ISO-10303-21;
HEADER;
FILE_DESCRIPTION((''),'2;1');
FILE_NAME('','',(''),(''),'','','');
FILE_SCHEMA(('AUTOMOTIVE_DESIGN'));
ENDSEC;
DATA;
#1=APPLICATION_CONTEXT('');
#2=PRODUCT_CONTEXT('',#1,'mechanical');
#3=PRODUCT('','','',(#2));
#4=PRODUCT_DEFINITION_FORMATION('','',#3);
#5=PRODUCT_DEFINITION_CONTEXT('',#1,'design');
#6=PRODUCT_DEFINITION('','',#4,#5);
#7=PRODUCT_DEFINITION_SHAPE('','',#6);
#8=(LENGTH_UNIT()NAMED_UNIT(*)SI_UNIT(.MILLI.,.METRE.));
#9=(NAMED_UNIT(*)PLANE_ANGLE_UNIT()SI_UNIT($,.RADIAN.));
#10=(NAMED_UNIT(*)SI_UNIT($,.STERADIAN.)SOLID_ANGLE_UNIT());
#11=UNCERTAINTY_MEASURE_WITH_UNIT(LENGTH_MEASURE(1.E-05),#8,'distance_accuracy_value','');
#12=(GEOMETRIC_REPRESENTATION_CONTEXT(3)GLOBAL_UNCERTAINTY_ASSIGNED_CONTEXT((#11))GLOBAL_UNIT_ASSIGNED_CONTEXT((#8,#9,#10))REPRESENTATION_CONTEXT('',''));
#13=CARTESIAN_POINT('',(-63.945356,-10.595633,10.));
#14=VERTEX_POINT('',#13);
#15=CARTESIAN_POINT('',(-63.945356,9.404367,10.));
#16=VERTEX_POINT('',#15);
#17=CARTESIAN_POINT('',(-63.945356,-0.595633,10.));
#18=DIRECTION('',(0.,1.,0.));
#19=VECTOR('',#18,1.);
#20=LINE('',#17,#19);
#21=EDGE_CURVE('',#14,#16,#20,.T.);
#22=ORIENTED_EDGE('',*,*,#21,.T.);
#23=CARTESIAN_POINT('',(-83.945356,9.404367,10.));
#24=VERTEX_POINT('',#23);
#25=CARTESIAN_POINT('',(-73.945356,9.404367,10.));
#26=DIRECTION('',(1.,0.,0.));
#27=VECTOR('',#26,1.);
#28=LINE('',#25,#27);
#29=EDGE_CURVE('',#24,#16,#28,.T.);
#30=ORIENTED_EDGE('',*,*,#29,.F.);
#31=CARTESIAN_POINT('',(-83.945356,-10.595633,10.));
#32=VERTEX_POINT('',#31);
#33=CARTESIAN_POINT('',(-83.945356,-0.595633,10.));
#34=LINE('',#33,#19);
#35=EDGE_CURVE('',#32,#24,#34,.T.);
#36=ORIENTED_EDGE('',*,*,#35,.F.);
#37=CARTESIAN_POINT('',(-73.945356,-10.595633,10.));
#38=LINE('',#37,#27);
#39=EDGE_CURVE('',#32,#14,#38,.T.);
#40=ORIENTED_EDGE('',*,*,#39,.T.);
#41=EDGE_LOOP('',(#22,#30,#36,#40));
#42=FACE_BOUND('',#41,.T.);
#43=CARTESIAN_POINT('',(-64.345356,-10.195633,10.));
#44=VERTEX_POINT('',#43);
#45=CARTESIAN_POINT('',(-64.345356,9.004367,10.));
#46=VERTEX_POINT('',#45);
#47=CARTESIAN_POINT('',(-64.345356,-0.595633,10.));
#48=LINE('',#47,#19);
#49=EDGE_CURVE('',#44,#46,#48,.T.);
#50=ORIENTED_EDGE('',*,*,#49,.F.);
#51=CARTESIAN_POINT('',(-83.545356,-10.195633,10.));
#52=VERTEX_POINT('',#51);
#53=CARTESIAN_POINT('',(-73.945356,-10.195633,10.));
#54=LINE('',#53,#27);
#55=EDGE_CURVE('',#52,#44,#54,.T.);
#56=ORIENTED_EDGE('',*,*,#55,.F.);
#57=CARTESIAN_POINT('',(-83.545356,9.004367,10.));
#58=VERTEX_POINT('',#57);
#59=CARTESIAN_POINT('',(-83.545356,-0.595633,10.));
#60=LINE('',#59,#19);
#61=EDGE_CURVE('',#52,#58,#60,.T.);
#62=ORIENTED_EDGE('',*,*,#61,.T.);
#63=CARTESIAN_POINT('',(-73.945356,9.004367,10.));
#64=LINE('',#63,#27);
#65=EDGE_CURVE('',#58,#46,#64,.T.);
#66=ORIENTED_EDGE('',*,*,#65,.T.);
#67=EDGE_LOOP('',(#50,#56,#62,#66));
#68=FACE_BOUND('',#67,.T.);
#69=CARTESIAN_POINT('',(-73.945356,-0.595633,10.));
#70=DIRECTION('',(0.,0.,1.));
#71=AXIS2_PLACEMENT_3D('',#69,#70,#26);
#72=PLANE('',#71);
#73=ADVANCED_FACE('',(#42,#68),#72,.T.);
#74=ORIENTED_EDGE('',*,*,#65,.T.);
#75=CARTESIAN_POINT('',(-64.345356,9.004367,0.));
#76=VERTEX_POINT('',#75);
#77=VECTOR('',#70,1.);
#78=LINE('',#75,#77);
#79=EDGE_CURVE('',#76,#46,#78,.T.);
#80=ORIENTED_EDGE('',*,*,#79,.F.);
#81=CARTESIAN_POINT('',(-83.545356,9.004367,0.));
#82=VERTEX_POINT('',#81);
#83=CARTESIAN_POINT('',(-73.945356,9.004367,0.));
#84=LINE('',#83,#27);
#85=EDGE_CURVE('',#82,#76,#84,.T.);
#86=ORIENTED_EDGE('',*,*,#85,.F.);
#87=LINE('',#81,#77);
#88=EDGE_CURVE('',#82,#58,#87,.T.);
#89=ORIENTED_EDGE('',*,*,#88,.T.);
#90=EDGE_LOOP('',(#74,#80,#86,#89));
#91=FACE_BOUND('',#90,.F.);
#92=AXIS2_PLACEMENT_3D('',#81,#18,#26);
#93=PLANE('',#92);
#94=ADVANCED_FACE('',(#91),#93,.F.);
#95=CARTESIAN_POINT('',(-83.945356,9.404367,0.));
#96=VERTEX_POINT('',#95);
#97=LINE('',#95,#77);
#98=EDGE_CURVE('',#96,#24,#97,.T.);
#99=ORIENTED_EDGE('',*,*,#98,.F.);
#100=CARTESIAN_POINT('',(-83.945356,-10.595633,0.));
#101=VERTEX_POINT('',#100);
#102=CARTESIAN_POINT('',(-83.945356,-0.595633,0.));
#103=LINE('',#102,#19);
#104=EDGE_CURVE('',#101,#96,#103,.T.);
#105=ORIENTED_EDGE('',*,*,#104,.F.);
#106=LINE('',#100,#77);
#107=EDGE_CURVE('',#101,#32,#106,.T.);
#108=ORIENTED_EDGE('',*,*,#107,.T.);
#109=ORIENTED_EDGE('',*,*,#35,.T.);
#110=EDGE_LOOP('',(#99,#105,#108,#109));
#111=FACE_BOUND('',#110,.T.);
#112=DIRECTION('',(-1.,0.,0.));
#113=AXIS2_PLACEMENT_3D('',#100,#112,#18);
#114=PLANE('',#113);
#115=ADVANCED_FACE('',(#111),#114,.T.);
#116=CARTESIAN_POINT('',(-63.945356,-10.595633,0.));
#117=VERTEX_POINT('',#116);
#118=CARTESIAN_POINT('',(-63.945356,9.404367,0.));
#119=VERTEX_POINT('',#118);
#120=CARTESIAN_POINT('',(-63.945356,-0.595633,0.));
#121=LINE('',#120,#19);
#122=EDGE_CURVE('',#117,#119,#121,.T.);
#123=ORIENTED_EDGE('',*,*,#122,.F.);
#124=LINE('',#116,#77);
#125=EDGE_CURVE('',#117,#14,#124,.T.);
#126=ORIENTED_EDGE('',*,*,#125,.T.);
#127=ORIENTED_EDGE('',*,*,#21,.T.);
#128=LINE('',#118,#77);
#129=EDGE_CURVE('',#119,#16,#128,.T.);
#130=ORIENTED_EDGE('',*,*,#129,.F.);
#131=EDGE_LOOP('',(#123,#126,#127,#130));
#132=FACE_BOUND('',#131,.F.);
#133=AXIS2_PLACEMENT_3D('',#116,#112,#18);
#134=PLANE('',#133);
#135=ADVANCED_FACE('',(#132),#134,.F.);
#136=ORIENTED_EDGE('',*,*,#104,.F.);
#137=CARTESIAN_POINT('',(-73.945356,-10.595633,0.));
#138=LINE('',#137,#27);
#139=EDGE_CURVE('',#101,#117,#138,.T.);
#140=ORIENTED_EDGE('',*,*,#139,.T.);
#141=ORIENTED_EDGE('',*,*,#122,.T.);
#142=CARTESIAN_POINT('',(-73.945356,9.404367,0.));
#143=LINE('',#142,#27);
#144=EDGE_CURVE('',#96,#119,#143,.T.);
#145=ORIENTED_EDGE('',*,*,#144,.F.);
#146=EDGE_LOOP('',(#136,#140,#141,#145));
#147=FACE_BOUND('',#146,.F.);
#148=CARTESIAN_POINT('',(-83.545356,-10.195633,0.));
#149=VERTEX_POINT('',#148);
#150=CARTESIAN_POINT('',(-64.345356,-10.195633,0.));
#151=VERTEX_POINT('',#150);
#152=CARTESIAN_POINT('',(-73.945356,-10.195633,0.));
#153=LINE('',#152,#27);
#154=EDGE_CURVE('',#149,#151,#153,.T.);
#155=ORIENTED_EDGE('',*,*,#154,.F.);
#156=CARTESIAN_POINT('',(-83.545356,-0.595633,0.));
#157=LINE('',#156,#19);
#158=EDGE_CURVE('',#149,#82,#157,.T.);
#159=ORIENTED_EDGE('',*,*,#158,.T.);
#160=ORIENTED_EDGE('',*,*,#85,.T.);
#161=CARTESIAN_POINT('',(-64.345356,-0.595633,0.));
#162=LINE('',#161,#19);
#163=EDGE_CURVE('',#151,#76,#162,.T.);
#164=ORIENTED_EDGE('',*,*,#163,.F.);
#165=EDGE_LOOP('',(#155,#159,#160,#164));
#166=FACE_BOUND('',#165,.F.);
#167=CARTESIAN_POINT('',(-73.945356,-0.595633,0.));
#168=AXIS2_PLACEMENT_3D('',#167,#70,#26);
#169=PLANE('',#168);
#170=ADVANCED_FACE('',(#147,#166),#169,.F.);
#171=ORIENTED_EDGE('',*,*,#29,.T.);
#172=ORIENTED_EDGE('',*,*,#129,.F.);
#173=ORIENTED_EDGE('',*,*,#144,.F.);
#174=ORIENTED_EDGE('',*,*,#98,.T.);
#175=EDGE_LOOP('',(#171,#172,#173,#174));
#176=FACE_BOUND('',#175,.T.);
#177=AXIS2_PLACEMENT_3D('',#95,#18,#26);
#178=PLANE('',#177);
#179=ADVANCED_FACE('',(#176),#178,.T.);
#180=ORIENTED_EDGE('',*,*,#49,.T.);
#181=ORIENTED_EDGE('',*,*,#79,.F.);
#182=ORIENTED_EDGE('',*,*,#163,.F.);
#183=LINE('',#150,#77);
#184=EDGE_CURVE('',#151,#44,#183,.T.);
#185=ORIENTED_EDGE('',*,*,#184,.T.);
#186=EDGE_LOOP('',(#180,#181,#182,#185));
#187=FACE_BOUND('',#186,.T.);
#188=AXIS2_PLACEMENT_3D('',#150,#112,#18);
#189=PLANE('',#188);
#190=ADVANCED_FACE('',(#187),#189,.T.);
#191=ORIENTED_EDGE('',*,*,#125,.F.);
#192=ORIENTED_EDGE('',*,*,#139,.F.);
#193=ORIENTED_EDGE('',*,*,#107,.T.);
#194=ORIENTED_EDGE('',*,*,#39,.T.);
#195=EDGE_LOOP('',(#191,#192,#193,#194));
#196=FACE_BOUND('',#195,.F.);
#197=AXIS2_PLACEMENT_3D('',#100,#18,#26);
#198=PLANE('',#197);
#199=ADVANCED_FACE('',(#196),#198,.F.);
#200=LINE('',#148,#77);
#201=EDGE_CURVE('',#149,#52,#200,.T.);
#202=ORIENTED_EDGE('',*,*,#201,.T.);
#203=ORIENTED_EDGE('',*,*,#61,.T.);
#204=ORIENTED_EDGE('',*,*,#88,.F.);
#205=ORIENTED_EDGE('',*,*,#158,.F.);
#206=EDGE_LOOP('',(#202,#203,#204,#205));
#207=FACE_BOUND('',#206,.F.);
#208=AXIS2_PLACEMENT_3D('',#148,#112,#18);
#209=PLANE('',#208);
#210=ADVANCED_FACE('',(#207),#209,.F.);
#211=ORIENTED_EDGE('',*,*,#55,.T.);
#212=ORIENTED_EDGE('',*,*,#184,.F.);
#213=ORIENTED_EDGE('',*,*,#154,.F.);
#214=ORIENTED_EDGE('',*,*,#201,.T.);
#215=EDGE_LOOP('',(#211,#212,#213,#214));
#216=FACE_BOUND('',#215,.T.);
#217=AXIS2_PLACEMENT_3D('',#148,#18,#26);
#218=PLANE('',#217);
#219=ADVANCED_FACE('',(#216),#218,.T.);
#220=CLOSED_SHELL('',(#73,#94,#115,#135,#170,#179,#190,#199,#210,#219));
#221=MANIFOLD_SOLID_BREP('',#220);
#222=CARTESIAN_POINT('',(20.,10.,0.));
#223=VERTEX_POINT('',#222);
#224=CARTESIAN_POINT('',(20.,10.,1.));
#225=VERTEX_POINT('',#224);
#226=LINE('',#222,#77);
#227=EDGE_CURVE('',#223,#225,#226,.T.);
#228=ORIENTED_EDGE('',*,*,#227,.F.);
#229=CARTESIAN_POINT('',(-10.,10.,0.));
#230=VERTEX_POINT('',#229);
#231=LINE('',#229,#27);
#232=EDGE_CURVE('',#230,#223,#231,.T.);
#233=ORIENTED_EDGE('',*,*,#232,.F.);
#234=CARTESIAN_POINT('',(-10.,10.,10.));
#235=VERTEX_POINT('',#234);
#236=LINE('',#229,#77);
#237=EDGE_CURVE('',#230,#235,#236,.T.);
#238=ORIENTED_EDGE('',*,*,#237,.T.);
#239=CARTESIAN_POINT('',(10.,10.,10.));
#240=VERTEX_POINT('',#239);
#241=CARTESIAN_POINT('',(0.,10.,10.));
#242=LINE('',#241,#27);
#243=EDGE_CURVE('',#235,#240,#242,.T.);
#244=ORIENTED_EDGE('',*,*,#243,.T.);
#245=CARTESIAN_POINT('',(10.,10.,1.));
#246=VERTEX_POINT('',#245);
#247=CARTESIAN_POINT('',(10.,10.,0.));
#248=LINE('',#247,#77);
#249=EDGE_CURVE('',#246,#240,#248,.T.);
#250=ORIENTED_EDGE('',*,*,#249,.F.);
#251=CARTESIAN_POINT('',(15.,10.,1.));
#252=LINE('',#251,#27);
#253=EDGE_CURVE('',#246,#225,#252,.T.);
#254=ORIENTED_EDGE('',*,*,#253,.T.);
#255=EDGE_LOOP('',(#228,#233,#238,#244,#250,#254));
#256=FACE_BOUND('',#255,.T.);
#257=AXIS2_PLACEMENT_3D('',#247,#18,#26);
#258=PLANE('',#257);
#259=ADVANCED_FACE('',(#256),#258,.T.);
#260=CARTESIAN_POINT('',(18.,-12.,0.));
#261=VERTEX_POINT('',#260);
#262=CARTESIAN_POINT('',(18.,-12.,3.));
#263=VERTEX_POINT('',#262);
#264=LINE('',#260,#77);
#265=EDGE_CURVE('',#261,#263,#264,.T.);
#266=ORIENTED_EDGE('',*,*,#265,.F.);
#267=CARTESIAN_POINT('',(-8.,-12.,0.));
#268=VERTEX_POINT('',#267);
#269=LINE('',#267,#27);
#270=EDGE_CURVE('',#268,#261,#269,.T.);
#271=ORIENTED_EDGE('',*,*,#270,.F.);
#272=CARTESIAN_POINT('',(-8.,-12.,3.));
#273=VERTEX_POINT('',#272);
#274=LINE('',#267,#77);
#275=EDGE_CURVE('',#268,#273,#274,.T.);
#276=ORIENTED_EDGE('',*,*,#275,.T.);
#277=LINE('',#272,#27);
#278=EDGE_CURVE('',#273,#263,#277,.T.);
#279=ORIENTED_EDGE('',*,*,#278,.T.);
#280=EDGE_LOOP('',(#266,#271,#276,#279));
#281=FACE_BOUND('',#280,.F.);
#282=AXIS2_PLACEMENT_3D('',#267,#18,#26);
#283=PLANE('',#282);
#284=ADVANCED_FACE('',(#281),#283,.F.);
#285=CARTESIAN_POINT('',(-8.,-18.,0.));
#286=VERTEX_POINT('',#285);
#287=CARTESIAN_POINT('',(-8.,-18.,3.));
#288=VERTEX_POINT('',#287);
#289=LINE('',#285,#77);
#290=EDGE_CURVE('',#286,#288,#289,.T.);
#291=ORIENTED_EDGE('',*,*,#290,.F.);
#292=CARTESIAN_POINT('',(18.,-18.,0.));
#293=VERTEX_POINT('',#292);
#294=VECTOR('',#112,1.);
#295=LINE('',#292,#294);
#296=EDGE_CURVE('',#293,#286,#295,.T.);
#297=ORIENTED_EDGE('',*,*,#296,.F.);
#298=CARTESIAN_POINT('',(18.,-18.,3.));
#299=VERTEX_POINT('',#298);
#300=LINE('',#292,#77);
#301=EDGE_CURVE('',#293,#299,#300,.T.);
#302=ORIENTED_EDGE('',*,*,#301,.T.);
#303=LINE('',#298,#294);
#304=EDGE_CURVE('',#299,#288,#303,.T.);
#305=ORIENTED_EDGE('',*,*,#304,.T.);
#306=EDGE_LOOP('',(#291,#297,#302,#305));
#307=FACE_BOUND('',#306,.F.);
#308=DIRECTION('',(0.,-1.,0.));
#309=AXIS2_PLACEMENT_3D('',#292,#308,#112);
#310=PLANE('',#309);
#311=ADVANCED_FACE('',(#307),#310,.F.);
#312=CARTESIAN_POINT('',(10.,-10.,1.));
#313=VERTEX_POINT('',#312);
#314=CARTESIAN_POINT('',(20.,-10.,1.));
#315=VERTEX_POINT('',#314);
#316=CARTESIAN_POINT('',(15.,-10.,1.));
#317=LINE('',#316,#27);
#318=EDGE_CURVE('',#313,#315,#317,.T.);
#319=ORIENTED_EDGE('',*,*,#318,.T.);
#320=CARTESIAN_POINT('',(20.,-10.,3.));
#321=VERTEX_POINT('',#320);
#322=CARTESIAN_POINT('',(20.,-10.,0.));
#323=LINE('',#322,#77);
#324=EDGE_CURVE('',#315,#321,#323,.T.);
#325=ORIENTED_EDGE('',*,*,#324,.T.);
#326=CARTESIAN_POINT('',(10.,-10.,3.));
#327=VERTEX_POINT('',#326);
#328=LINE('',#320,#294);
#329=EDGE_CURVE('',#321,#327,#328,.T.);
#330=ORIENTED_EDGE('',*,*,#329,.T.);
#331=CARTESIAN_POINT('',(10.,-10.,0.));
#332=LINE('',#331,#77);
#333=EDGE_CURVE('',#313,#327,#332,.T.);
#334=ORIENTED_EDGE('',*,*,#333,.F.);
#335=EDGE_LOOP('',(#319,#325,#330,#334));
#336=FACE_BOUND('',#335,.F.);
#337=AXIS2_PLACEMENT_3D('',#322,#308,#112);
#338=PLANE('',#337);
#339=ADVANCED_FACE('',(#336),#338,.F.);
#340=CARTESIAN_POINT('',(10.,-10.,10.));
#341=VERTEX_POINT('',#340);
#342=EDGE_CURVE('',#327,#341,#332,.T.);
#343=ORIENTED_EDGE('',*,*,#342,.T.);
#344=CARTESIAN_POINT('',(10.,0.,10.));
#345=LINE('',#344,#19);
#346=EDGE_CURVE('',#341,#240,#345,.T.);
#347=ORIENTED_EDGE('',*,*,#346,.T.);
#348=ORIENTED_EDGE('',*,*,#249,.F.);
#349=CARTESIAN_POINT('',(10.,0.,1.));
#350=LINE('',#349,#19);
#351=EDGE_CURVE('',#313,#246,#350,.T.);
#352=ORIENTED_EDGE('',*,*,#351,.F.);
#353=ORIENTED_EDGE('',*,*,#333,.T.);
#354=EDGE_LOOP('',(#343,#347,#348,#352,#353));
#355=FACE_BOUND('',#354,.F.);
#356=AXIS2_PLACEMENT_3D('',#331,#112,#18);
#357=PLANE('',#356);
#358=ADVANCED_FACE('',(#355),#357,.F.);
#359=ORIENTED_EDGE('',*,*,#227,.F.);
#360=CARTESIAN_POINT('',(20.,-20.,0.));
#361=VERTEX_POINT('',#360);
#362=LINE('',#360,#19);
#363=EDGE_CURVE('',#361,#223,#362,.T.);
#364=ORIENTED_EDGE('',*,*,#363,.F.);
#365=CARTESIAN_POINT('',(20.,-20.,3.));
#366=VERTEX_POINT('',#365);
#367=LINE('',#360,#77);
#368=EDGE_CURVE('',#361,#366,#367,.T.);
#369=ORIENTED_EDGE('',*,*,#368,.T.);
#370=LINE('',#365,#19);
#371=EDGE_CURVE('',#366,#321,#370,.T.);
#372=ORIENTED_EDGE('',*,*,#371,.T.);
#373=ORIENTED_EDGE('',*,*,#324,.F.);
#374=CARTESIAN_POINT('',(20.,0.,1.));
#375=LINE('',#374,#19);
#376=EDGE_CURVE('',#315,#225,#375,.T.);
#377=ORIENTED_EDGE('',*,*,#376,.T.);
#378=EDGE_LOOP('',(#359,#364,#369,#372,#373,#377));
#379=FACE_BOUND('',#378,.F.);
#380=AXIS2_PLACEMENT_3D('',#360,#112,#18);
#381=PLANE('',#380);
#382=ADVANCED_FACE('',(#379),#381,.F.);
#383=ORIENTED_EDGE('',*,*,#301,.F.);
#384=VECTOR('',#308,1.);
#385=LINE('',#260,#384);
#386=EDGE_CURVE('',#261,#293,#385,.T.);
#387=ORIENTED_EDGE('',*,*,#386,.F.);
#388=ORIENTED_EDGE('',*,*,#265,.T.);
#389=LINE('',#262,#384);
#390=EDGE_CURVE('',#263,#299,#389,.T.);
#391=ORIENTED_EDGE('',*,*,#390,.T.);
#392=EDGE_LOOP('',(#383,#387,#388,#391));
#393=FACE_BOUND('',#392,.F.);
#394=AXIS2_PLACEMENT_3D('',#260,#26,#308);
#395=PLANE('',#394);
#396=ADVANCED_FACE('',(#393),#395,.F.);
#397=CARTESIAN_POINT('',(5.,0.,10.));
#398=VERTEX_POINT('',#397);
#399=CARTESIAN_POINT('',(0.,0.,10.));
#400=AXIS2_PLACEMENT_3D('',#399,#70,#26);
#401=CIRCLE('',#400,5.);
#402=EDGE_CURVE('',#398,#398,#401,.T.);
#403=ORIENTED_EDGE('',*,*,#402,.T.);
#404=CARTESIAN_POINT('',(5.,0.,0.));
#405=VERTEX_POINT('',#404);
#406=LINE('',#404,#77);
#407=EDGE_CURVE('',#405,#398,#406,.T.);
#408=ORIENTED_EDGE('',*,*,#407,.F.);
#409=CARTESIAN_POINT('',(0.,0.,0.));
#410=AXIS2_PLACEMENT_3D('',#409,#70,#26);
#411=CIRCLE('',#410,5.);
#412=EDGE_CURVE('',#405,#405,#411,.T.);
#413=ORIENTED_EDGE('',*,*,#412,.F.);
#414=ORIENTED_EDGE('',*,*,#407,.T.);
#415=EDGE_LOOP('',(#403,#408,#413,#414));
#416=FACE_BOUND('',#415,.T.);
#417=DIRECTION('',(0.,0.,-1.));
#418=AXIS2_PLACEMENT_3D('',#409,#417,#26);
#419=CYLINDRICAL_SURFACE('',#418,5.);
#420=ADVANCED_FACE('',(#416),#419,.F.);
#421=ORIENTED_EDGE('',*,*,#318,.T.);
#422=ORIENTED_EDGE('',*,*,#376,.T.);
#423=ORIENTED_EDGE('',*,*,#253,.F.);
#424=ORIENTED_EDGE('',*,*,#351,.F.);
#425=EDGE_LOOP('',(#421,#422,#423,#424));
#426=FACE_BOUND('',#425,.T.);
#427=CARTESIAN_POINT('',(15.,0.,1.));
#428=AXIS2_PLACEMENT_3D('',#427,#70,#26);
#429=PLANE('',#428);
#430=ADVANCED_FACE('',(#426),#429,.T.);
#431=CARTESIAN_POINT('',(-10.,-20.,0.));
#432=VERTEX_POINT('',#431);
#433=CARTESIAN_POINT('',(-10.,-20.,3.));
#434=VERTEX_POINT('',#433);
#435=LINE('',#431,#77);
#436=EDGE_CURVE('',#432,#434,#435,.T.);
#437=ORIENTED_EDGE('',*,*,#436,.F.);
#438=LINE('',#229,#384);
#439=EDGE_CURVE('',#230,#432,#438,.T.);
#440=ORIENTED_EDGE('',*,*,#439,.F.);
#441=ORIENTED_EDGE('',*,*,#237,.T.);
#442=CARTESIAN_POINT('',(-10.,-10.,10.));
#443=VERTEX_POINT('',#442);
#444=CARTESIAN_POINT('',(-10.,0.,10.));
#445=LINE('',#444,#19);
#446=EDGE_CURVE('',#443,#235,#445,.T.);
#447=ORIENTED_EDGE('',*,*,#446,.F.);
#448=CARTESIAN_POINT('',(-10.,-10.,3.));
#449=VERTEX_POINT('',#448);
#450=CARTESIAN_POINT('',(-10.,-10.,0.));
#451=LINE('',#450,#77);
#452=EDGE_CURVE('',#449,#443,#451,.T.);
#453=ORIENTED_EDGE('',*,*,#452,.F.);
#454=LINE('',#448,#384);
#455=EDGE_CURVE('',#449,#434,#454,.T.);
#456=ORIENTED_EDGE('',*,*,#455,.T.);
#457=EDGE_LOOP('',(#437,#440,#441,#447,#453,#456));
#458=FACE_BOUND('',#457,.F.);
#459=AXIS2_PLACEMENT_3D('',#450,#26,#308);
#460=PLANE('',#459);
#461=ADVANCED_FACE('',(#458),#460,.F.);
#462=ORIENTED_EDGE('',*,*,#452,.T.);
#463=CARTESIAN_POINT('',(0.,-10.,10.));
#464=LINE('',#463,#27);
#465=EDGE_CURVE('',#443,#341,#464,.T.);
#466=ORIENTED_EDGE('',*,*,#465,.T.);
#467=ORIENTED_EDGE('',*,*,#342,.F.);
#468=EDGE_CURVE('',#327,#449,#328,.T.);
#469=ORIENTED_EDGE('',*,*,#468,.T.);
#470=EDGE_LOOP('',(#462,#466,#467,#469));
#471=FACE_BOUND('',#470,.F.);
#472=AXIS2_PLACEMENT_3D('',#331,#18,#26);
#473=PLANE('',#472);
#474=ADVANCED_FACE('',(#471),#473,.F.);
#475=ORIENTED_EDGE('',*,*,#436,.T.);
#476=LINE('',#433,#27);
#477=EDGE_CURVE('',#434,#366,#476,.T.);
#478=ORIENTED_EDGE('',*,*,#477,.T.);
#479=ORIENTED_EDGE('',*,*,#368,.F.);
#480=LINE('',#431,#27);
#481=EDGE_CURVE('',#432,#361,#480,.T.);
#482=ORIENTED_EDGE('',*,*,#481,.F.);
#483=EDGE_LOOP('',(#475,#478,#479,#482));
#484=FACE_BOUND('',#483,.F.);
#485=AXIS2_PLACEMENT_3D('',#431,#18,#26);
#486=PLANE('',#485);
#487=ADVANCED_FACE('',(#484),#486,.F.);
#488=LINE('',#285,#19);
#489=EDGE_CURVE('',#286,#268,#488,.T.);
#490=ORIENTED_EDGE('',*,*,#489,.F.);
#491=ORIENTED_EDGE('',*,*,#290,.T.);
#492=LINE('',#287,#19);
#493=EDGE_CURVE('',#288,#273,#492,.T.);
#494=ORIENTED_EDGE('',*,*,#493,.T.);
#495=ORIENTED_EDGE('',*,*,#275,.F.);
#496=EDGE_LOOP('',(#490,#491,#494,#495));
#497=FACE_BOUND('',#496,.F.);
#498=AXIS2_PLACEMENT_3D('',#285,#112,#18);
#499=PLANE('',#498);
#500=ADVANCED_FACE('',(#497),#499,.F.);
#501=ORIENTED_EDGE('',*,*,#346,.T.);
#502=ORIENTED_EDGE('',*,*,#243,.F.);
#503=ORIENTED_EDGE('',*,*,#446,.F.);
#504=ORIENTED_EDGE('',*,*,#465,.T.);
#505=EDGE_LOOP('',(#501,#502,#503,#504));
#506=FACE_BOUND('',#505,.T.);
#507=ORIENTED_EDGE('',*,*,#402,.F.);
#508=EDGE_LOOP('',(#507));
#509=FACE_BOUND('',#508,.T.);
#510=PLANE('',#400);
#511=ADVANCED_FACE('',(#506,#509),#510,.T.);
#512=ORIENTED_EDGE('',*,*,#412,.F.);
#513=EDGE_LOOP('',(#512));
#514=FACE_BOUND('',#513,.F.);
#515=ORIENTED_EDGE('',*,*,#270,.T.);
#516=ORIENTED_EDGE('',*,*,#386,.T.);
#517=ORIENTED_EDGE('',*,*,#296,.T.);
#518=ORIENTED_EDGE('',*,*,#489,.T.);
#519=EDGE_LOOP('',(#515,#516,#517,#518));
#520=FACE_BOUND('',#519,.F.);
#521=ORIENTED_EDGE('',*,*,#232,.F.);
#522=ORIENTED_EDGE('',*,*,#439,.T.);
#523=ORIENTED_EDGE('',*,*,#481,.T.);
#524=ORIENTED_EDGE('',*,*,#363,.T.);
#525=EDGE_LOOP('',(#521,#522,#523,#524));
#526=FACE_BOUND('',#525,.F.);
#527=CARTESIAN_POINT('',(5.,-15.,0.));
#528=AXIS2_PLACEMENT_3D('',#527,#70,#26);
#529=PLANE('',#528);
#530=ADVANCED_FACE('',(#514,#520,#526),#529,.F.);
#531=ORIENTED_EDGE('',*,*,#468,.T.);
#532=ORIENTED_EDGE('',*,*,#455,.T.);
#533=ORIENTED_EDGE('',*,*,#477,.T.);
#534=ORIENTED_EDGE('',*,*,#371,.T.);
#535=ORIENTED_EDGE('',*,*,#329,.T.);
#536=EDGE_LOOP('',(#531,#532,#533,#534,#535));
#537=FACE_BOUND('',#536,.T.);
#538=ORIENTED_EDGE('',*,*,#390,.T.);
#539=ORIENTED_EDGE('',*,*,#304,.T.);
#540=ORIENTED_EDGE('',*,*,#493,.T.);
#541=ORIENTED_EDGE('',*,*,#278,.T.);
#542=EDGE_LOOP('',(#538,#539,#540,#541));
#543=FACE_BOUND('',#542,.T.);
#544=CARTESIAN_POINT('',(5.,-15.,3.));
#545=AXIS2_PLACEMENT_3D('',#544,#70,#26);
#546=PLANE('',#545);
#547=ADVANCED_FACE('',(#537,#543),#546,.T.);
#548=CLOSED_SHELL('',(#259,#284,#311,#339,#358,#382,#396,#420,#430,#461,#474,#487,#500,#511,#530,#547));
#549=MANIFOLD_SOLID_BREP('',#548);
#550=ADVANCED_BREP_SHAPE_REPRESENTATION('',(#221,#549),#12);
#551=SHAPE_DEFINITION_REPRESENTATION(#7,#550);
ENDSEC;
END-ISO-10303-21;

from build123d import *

# Parameters (mm, degrees)
F0_W     = 20
F0_H     = 20
F0_R     = 5
F1_DEPTH = 10
F0_W_2   = 10
F2_DEPTH = 1
F3_DEPTH = 3
F0_W_3   = 19.2
F0_H_2   = 19.2
F4_DEPTH = 10


with BuildPart() as f1:
    # F0 (on Top) → F1 (new body)
    with BuildSketch(Plane.XY):
        Rectangle(F0_W, F0_H)
        Circle(F0_R, mode=Mode.SUBTRACT)
    extrude(amount=F1_DEPTH)

    # F0 (on Top) → F2 (join)
    with BuildSketch(Plane.XY):
        with Locations((15, 0)):
            Rectangle(F0_W_2, F0_H)
    extrude(amount=F2_DEPTH)

    # F0 (on Top) → F3 (join)
    with BuildSketch(Plane.XY):
        Polygon((20, -10), (10, -10), (-10, -10), (-10, -20), (20, -20), align=None)
        Polygon((18, -18), (-8, -18), (-8, -12), (10, -12), (18, -12), align=None, mode=Mode.SUBTRACT)
    extrude(amount=F3_DEPTH)


with BuildPart() as f4:
    # F0 (on Top) → F4 (new body)
    with BuildSketch(Plane.XY):
        with Locations((-73.945356, -0.595633)):
            Rectangle(F0_W, F0_H)
        with Locations((-73.945356, -0.595633)):
            Rectangle(F0_W_3, F0_H_2, mode=Mode.SUBTRACT)
    extrude(amount=F4_DEPTH)


solid = Compound([f1.part, f4.part])
